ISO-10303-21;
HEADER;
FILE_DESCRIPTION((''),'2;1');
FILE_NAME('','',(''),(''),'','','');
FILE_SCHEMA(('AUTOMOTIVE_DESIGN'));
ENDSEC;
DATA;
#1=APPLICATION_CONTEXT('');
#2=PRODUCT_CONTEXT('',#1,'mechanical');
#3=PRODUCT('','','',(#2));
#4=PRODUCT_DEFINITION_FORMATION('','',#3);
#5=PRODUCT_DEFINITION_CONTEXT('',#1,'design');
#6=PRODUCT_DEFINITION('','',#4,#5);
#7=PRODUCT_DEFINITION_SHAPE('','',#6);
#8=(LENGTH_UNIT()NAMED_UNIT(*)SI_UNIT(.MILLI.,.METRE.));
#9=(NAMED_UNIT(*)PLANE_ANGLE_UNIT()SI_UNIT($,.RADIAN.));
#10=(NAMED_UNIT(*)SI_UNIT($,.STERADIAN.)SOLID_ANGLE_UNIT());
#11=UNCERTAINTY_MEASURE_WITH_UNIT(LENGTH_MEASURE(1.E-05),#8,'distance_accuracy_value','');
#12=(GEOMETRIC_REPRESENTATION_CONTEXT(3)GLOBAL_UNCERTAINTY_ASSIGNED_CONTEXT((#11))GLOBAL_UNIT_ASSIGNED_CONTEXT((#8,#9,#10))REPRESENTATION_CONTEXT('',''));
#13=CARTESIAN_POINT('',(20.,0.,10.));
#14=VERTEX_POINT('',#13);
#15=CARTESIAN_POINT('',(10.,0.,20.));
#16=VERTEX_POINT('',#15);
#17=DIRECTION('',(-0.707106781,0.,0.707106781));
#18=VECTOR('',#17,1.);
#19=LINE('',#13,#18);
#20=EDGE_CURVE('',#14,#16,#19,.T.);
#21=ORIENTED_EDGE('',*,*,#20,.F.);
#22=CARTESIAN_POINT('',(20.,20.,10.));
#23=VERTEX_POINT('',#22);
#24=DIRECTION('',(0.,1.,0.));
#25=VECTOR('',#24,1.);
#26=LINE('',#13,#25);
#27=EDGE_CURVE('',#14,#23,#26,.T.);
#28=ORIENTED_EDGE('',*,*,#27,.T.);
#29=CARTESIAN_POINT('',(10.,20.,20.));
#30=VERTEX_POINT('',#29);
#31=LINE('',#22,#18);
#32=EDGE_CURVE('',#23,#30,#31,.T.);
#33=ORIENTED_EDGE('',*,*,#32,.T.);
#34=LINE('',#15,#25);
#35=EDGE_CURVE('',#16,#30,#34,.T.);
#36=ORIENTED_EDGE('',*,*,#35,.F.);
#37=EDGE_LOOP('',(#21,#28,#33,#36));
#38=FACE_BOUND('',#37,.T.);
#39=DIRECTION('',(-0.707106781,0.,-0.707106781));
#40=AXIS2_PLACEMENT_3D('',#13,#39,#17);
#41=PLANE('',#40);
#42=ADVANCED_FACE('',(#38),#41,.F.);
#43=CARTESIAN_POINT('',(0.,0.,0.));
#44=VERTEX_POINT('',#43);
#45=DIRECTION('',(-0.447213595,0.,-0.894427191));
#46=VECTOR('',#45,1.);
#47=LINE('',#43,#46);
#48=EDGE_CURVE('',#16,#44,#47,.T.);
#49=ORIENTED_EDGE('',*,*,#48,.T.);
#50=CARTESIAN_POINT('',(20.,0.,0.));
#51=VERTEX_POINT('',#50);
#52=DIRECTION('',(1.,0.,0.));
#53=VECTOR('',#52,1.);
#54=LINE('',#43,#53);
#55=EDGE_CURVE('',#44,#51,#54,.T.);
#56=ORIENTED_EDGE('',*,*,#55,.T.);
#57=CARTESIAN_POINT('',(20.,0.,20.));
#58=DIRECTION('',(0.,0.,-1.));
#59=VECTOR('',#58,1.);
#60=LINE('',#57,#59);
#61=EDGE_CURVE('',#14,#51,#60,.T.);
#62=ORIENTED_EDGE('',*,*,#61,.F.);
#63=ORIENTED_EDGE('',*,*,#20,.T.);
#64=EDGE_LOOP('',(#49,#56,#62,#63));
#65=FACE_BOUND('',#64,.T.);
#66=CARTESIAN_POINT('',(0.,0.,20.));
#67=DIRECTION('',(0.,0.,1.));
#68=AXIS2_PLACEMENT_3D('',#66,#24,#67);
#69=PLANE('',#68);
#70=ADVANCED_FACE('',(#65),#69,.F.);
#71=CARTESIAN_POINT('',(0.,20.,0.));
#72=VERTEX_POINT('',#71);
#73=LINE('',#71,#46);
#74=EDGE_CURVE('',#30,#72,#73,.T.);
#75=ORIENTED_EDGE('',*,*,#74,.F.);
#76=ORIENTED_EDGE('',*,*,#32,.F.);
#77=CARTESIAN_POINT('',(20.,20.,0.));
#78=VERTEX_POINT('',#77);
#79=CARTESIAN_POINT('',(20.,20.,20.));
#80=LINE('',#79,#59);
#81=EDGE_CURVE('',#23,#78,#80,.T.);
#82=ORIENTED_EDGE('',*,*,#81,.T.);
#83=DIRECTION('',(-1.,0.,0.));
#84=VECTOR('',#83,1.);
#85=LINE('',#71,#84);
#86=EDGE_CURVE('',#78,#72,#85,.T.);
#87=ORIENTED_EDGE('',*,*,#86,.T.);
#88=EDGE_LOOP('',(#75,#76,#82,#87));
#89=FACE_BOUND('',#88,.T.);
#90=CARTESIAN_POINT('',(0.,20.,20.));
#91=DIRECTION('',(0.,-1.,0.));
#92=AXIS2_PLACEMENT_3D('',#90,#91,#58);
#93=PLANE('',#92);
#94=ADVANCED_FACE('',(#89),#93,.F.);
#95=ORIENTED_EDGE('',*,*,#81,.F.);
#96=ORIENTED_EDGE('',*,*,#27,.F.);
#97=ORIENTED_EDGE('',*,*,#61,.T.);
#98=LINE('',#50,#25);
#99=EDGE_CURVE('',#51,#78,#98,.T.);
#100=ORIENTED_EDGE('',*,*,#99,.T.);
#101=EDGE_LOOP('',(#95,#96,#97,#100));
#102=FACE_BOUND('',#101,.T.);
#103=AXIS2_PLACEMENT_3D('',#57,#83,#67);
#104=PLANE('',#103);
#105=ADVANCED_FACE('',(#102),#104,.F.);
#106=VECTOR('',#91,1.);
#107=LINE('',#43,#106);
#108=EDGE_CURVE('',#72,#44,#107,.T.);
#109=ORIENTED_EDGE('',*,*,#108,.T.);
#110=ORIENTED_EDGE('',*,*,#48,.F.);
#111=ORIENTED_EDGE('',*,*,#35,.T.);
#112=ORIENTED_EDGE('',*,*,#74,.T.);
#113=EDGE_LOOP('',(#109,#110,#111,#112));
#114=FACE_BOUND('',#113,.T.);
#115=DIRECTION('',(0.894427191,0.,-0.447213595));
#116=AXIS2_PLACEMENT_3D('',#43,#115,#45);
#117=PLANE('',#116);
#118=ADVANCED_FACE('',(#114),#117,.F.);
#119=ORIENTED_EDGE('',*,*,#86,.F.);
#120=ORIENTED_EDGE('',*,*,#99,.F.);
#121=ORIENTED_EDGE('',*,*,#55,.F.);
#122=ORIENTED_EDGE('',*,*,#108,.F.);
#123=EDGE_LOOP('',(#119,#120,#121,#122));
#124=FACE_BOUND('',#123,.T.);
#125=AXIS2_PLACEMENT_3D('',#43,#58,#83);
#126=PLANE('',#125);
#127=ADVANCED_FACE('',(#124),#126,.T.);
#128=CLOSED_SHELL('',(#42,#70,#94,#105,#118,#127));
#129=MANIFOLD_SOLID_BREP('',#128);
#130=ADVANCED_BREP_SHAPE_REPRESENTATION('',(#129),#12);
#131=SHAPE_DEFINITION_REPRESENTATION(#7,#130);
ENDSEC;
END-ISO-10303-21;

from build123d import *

# Parameters (mm, degrees)
SKETCH1_W           = 20
SKETCH1_H           = 20
BOSS_EXTRUDE1_DEPTH = 20
CUT_EXTRUDE1_DEPTH  = 20
CUT_EXTRUDE2_DEPTH  = 20


with BuildPart() as part:
    # Sketch1 → Boss-Extrude1 (new body)
    with BuildSketch(Plane.XY):
        with Locations((10, 10)):
            Rectangle(SKETCH1_W, SKETCH1_H)
    extrude(amount=BOSS_EXTRUDE1_DEPTH)

    # Sketch2 → Cut-Extrude1 (cut)
    with BuildSketch(Plane(origin=(0, 20, 0), x_dir=(1, 0, 0), z_dir=(0, 1, 0))):
        Polygon((0, 0), (10, -20), (0, -20), align=None)
    extrude(amount=-CUT_EXTRUDE1_DEPTH, mode=Mode.SUBTRACT)

    # Sketch3 → Cut-Extrude2 (cut)
    with BuildSketch(Plane(origin=(0, 20, 0), x_dir=(1, 0, 0), z_dir=(0, 1, 0))):
        Polygon((20, -20), (20, -10), (10, -20), align=None)
    extrude(amount=-CUT_EXTRUDE2_DEPTH, mode=Mode.SUBTRACT)


solid = part.part
